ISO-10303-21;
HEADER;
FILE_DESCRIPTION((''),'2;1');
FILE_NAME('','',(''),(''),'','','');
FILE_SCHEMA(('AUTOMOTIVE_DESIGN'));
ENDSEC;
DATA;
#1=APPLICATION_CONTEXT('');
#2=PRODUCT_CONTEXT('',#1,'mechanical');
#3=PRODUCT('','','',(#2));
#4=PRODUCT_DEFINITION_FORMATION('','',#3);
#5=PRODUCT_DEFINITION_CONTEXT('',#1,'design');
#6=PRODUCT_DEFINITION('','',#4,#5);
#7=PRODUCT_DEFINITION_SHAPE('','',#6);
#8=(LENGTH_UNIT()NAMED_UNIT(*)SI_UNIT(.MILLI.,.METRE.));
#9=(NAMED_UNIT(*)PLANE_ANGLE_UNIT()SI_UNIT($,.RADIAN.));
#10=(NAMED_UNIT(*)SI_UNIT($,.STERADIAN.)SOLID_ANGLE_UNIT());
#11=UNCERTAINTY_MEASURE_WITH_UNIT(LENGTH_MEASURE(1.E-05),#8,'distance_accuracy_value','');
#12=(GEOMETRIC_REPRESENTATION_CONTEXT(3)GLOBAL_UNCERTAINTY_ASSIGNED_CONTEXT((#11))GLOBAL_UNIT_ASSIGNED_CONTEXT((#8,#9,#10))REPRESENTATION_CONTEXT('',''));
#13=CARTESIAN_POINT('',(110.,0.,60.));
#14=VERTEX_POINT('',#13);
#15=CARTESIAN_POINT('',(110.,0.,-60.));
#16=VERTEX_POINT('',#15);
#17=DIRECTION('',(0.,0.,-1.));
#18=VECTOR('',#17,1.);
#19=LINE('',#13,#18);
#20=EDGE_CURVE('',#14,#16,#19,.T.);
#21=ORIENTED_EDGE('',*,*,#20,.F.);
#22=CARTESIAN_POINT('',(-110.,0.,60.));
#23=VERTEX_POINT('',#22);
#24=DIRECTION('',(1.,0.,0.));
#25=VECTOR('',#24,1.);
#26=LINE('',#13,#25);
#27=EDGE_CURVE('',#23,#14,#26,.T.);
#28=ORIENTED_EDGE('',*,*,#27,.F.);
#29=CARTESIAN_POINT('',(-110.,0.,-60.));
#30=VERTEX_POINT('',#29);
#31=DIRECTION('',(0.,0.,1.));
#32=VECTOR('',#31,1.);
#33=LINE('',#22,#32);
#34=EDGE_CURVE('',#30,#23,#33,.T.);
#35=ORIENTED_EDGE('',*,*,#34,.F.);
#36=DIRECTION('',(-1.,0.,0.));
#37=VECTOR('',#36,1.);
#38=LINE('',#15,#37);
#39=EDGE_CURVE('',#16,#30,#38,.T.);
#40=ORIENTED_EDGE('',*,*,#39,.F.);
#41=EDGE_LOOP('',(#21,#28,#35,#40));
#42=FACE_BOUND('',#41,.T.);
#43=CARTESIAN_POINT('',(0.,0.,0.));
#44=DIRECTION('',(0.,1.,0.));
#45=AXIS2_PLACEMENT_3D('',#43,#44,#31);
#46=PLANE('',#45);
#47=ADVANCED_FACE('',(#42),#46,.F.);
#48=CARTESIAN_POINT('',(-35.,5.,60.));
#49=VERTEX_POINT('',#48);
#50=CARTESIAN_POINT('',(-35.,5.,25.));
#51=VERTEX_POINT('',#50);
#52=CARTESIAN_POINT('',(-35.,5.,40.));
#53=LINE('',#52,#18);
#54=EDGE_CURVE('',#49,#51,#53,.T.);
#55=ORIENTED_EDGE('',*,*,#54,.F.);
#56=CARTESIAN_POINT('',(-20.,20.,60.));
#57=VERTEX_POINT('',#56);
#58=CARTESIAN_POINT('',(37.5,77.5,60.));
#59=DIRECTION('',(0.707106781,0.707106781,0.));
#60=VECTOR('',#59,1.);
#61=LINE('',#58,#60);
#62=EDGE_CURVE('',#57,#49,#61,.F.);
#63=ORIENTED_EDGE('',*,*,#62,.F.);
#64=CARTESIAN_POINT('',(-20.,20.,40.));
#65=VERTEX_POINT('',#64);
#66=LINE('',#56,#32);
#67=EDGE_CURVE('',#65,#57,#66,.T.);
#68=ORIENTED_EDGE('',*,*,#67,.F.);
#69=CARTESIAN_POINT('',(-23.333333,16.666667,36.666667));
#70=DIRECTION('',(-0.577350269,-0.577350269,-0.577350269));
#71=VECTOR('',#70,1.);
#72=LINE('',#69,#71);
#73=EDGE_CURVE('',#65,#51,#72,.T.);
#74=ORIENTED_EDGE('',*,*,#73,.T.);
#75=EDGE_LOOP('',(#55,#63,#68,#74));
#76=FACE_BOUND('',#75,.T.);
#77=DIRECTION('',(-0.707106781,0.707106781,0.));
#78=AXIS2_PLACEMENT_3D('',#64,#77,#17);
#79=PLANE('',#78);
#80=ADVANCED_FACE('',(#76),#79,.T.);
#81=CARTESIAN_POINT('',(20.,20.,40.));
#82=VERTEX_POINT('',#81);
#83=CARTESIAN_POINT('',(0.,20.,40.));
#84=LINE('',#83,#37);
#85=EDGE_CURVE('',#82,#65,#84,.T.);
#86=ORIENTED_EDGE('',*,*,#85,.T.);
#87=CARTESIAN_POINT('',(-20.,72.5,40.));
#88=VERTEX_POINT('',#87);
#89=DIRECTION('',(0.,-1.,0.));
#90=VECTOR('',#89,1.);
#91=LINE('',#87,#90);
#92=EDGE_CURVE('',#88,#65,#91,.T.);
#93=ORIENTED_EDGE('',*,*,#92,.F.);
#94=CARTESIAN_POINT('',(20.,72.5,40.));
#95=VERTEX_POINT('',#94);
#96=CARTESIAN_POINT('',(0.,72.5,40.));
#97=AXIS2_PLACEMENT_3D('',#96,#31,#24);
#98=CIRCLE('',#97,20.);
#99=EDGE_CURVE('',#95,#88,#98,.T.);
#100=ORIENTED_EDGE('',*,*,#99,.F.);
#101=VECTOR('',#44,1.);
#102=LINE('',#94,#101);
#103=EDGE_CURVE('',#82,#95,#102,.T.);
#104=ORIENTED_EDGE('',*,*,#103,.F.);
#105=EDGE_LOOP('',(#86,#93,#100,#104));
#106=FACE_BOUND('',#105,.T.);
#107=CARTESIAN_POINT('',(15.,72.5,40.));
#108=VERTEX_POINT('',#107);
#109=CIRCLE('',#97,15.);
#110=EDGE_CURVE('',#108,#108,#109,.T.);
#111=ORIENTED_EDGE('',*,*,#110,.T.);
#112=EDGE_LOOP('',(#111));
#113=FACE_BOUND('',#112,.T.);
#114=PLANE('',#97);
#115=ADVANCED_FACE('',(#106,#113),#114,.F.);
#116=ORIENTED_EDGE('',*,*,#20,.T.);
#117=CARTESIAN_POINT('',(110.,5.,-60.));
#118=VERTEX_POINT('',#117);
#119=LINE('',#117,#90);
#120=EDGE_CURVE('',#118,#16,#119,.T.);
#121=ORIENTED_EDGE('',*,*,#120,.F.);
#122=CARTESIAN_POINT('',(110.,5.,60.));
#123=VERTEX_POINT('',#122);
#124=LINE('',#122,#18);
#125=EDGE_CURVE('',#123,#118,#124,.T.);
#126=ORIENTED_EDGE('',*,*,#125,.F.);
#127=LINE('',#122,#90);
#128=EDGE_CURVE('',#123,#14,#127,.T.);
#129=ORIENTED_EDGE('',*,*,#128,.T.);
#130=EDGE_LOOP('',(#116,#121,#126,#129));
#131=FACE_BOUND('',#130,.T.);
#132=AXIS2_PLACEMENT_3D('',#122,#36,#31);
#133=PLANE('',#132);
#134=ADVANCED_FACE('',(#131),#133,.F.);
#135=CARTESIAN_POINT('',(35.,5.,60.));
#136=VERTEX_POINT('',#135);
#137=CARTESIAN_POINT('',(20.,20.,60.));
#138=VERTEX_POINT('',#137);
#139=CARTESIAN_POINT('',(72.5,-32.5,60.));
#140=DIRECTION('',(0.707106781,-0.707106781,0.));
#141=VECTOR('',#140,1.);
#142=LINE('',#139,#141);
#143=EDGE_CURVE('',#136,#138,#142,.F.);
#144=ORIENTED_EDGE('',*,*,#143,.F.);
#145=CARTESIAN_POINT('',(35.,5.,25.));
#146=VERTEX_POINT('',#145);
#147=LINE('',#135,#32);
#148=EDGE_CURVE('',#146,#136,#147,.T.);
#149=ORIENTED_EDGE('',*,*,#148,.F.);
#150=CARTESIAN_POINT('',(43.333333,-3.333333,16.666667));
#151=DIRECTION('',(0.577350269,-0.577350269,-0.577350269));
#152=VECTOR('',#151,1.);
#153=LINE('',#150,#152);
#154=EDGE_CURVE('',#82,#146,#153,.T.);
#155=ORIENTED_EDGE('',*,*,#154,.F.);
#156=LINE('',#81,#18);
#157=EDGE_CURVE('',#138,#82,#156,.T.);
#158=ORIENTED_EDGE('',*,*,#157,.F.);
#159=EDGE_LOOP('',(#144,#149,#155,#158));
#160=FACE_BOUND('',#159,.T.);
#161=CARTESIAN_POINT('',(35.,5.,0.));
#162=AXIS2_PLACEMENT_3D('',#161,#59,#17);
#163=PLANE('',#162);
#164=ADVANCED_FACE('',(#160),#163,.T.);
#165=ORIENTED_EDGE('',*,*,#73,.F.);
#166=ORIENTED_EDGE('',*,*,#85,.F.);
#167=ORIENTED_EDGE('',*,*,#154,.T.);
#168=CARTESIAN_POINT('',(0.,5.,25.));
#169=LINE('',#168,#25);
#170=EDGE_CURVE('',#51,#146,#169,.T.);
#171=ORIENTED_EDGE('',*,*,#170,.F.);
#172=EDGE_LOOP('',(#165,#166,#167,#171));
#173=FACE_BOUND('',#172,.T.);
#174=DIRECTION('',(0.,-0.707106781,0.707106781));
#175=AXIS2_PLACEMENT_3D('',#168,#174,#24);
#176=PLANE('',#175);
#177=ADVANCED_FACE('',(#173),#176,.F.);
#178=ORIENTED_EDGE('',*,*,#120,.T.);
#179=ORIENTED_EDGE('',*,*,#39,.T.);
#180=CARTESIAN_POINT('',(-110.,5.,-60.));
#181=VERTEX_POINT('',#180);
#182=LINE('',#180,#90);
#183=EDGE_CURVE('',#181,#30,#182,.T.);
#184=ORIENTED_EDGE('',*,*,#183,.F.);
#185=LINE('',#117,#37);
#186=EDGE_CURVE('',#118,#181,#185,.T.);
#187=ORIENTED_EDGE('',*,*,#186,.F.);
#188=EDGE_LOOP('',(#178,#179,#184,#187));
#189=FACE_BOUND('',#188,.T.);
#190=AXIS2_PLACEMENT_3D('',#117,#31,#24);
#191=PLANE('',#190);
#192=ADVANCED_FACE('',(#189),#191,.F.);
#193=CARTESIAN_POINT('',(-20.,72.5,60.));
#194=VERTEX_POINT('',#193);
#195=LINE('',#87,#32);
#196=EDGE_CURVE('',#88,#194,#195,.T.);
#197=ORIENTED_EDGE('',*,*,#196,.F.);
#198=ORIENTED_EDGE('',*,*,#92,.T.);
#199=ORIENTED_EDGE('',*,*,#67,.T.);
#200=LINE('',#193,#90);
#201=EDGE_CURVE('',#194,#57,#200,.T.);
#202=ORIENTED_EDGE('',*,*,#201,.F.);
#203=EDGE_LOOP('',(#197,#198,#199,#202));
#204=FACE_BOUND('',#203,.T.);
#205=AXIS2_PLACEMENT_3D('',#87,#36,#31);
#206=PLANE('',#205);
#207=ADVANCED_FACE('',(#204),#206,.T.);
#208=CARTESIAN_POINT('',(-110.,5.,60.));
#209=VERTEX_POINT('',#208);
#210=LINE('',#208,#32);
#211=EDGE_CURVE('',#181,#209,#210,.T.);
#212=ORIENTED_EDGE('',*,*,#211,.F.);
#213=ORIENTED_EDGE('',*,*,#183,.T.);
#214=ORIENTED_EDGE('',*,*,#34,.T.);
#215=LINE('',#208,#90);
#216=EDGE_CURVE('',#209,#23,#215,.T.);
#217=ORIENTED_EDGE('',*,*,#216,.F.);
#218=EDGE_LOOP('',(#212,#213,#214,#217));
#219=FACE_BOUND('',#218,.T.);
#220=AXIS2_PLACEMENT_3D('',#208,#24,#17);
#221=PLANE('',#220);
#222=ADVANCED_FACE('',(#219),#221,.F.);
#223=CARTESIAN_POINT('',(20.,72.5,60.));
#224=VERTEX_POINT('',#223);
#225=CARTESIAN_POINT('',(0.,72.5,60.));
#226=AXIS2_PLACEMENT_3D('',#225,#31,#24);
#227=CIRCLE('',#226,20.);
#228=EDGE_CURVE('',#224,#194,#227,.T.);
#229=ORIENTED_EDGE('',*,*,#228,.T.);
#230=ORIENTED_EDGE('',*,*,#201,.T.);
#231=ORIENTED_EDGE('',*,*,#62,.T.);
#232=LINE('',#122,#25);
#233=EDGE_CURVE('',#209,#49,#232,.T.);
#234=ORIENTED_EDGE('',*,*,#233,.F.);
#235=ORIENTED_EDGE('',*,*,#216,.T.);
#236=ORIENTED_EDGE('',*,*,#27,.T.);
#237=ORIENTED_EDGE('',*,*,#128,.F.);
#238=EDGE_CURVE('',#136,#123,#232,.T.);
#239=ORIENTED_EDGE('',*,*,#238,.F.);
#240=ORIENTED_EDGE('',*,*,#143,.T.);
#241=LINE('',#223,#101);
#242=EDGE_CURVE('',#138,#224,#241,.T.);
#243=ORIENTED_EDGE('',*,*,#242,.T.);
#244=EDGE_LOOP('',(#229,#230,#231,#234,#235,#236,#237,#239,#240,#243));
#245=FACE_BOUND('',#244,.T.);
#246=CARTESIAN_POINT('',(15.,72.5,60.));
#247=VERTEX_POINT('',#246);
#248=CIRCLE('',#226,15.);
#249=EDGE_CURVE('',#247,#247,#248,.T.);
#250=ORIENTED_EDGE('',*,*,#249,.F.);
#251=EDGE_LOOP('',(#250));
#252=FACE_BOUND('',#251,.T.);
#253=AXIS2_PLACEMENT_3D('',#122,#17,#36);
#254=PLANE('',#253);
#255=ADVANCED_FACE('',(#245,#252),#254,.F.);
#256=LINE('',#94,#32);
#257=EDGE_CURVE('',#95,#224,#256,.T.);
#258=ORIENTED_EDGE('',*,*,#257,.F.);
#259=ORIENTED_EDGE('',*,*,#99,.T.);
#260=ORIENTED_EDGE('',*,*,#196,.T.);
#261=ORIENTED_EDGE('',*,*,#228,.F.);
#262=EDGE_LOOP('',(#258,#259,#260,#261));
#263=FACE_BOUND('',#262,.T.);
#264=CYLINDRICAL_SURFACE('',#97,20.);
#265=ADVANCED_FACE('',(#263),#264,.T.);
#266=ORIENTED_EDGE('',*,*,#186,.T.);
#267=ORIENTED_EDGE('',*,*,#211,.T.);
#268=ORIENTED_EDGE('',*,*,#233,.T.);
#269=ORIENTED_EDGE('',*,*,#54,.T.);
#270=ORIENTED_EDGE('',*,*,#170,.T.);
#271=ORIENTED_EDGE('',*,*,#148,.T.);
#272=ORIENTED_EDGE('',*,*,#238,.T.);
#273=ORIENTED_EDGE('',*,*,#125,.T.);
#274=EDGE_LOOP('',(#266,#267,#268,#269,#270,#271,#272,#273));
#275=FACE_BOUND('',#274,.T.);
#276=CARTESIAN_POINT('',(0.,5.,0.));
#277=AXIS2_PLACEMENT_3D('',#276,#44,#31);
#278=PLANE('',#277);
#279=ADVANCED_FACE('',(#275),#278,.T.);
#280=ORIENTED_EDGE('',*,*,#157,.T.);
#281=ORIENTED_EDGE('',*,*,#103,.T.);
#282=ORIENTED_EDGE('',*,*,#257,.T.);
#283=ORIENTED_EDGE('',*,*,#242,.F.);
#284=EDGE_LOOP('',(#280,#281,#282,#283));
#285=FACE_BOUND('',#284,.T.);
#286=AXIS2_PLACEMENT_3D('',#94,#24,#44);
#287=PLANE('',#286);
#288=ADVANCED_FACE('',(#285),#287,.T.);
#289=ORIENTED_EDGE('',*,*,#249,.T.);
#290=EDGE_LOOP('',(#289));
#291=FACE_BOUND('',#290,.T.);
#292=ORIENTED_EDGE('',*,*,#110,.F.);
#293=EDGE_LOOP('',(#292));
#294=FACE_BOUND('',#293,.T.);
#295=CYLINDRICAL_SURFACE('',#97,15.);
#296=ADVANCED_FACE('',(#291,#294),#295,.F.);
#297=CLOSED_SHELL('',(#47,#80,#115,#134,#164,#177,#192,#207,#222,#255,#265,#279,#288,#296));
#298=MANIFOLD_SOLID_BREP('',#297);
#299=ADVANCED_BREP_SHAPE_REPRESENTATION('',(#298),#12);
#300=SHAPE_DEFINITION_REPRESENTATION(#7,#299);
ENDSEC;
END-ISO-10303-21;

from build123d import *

# Parameters (mm, degrees)
ESBO_O1_W                = 220
ESBO_O1_H                = 120
RESSALTO_EXTRUS_O1_DEPTH = 5
ESBO_O2_R                = 15
RESSALTO_EXTRUS_O2_DEPTH = 20
CHANFRO1_SIZE            = 15


with BuildPart() as part:
    # Esboço1 → Ressalto-extrusão1 (new body)
    with BuildSketch(Plane(origin=(0, 0, 0), x_dir=(1, 0, 0), z_dir=(0, 1, 0))):
        Rectangle(ESBO_O1_W, ESBO_O1_H)
    extrude(amount=RESSALTO_EXTRUS_O1_DEPTH)

    # Esboço2 → Ressalto-extrusão2 (add)
    with BuildSketch(Plane.XY.offset(60)):
        with BuildLine():
            Line((20, 72.5), (20, 5))
            Line((20, 5), (-20, 5))
            Line((-20, 5), (-20, 72.5))
            ThreePointArc((-20, 72.5), (0, 92.5), (20, 72.5))
        make_face()
        with Locations((0, 72.5)):
            Circle(ESBO_O2_R, mode=Mode.SUBTRACT)
    extrude(amount=-RESSALTO_EXTRUS_O2_DEPTH)

    # Chanfro1
    chanfro1_edges = [part.edges().sort_by_distance(p)[0] for p in [
        (0, 5, 40),
        (20, 5, 50),
        (-20, 5, 50),
    ]]
    chamfer(chanfro1_edges, length=CHANFRO1_SIZE)


solid = part.part
